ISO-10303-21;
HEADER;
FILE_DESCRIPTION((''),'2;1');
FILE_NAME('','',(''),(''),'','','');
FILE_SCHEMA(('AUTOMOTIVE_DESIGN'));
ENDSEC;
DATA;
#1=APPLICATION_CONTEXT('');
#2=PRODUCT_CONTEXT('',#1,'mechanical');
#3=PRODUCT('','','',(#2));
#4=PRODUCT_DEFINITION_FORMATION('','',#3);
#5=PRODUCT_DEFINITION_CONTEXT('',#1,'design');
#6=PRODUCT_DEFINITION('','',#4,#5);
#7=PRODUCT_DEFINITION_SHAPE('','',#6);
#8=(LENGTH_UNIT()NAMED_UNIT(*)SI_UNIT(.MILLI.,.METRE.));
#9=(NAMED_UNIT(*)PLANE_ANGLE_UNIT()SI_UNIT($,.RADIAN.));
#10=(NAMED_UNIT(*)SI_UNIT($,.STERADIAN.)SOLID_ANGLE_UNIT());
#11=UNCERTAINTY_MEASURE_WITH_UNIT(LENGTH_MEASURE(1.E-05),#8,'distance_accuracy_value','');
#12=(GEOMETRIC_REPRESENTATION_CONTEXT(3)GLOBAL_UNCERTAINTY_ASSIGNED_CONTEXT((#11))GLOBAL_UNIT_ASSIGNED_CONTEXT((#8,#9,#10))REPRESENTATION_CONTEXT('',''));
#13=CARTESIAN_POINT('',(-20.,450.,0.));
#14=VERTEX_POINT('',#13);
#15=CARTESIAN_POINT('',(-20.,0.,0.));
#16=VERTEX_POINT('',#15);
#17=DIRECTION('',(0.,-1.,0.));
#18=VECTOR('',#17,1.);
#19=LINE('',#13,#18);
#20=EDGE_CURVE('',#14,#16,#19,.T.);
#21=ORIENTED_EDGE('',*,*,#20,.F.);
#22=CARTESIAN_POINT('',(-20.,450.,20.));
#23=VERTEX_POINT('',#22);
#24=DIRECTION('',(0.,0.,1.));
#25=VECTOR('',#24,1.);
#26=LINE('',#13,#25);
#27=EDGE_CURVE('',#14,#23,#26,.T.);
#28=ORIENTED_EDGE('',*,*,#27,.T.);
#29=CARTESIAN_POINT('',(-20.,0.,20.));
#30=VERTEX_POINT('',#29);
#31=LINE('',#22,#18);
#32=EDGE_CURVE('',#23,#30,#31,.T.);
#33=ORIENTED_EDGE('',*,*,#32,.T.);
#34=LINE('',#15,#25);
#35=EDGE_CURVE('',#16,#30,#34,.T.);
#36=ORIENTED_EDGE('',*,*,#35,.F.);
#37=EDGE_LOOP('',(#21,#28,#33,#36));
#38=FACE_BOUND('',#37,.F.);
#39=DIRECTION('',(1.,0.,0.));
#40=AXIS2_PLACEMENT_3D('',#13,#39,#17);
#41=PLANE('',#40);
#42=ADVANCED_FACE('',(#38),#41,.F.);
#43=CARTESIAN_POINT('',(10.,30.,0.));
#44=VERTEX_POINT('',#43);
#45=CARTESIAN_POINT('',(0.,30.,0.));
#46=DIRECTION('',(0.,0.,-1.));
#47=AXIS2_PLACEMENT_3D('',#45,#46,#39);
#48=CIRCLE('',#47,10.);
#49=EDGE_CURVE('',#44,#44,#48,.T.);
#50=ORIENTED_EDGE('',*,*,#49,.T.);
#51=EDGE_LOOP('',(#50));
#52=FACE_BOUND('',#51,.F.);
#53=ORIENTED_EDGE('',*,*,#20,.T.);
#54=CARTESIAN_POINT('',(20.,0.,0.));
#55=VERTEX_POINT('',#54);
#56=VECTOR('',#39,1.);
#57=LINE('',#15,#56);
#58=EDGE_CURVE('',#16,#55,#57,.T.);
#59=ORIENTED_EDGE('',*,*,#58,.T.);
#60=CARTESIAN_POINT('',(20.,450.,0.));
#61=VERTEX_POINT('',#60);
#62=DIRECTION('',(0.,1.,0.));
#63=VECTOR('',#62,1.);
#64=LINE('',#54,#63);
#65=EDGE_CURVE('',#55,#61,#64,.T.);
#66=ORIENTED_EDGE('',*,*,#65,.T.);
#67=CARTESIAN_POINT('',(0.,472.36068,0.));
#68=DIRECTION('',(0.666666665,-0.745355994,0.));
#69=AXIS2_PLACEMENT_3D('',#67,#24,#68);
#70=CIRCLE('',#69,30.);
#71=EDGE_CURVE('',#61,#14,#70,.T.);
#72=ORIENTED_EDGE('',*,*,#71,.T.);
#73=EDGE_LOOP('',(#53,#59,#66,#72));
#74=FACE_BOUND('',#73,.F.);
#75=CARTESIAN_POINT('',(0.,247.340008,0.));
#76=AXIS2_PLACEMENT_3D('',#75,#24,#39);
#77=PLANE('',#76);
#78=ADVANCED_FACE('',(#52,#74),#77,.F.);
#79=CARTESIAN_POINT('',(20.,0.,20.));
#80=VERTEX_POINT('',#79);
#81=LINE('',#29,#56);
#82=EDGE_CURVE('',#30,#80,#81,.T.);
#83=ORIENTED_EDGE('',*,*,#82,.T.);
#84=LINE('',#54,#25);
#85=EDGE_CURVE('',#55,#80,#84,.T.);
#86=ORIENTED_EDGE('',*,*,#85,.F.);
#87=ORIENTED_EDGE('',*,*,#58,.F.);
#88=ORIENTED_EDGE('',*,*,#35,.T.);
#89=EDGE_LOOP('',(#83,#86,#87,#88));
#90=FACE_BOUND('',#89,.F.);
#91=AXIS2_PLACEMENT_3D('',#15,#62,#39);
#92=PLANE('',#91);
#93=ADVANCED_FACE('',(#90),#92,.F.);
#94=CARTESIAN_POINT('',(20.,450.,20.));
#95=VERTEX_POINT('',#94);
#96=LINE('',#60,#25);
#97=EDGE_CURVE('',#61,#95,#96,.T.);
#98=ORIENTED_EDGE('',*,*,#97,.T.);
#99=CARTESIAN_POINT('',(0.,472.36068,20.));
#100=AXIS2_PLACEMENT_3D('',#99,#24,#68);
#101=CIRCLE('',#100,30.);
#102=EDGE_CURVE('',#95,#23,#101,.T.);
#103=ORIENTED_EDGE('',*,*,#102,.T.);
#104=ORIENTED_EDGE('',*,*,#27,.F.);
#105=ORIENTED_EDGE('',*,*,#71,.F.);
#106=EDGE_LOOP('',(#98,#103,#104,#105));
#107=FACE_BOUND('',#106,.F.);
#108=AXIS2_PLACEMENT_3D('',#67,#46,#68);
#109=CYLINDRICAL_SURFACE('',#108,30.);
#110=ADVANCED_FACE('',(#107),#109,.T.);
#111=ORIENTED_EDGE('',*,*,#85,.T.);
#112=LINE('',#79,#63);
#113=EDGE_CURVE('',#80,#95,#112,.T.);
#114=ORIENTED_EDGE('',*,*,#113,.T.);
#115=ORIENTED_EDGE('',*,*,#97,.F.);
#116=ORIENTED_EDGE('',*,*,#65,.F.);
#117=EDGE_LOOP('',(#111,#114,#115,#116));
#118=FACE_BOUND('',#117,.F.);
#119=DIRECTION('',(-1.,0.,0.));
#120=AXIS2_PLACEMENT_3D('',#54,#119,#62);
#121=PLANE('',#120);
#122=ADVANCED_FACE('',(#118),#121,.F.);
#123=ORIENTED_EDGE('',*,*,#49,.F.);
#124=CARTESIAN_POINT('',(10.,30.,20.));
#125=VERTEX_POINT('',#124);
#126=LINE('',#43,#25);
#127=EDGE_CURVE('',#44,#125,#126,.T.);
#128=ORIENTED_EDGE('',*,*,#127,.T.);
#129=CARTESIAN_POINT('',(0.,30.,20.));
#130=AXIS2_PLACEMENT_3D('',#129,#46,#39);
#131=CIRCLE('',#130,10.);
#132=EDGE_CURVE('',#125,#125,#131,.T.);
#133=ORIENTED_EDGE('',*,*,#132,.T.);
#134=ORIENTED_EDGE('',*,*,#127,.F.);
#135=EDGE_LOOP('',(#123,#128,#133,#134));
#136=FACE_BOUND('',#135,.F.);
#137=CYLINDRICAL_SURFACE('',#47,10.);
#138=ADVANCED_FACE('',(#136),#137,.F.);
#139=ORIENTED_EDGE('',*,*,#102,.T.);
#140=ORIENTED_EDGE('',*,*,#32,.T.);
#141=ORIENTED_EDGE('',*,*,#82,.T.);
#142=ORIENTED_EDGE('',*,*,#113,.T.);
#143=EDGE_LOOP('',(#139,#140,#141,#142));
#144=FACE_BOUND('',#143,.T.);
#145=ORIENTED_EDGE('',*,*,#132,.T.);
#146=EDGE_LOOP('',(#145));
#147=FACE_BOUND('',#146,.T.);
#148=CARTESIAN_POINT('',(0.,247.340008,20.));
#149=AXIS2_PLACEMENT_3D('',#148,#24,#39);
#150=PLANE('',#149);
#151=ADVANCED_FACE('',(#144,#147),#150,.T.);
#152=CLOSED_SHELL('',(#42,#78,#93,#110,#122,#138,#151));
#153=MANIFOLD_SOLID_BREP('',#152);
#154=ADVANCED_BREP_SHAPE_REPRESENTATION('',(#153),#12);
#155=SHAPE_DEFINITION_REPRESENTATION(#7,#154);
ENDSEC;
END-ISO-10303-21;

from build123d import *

# Parameters (mm, degrees)
F1_DEPTH = 20
F2_R     = 10
F3_DEPTH = 20.001


with BuildPart() as f1:
    # F0 (on Top) → F1 (new body)
    with BuildSketch(Plane.XY):
        with BuildLine():
            Line((-20, 0), (0, 0))
            Line((0, 0), (20, 0))
            Line((20, 0), (20, 450))
            ThreePointArc((20, 450), (0, 502.36068), (-20, 450))
            Line((-20, 450), (-20, 0))
        make_face()
    extrude(amount=F1_DEPTH)

    # F2 (on face) → F3 (cut, through all)
    with BuildSketch(Plane(origin=(0, 0, 0), x_dir=(1, 0, 0), z_dir=(0, 0, -1))):
        with Locations((0, -30)):
            Circle(F2_R)
    extrude(amount=-F3_DEPTH, mode=Mode.SUBTRACT)


solid = f1.part
